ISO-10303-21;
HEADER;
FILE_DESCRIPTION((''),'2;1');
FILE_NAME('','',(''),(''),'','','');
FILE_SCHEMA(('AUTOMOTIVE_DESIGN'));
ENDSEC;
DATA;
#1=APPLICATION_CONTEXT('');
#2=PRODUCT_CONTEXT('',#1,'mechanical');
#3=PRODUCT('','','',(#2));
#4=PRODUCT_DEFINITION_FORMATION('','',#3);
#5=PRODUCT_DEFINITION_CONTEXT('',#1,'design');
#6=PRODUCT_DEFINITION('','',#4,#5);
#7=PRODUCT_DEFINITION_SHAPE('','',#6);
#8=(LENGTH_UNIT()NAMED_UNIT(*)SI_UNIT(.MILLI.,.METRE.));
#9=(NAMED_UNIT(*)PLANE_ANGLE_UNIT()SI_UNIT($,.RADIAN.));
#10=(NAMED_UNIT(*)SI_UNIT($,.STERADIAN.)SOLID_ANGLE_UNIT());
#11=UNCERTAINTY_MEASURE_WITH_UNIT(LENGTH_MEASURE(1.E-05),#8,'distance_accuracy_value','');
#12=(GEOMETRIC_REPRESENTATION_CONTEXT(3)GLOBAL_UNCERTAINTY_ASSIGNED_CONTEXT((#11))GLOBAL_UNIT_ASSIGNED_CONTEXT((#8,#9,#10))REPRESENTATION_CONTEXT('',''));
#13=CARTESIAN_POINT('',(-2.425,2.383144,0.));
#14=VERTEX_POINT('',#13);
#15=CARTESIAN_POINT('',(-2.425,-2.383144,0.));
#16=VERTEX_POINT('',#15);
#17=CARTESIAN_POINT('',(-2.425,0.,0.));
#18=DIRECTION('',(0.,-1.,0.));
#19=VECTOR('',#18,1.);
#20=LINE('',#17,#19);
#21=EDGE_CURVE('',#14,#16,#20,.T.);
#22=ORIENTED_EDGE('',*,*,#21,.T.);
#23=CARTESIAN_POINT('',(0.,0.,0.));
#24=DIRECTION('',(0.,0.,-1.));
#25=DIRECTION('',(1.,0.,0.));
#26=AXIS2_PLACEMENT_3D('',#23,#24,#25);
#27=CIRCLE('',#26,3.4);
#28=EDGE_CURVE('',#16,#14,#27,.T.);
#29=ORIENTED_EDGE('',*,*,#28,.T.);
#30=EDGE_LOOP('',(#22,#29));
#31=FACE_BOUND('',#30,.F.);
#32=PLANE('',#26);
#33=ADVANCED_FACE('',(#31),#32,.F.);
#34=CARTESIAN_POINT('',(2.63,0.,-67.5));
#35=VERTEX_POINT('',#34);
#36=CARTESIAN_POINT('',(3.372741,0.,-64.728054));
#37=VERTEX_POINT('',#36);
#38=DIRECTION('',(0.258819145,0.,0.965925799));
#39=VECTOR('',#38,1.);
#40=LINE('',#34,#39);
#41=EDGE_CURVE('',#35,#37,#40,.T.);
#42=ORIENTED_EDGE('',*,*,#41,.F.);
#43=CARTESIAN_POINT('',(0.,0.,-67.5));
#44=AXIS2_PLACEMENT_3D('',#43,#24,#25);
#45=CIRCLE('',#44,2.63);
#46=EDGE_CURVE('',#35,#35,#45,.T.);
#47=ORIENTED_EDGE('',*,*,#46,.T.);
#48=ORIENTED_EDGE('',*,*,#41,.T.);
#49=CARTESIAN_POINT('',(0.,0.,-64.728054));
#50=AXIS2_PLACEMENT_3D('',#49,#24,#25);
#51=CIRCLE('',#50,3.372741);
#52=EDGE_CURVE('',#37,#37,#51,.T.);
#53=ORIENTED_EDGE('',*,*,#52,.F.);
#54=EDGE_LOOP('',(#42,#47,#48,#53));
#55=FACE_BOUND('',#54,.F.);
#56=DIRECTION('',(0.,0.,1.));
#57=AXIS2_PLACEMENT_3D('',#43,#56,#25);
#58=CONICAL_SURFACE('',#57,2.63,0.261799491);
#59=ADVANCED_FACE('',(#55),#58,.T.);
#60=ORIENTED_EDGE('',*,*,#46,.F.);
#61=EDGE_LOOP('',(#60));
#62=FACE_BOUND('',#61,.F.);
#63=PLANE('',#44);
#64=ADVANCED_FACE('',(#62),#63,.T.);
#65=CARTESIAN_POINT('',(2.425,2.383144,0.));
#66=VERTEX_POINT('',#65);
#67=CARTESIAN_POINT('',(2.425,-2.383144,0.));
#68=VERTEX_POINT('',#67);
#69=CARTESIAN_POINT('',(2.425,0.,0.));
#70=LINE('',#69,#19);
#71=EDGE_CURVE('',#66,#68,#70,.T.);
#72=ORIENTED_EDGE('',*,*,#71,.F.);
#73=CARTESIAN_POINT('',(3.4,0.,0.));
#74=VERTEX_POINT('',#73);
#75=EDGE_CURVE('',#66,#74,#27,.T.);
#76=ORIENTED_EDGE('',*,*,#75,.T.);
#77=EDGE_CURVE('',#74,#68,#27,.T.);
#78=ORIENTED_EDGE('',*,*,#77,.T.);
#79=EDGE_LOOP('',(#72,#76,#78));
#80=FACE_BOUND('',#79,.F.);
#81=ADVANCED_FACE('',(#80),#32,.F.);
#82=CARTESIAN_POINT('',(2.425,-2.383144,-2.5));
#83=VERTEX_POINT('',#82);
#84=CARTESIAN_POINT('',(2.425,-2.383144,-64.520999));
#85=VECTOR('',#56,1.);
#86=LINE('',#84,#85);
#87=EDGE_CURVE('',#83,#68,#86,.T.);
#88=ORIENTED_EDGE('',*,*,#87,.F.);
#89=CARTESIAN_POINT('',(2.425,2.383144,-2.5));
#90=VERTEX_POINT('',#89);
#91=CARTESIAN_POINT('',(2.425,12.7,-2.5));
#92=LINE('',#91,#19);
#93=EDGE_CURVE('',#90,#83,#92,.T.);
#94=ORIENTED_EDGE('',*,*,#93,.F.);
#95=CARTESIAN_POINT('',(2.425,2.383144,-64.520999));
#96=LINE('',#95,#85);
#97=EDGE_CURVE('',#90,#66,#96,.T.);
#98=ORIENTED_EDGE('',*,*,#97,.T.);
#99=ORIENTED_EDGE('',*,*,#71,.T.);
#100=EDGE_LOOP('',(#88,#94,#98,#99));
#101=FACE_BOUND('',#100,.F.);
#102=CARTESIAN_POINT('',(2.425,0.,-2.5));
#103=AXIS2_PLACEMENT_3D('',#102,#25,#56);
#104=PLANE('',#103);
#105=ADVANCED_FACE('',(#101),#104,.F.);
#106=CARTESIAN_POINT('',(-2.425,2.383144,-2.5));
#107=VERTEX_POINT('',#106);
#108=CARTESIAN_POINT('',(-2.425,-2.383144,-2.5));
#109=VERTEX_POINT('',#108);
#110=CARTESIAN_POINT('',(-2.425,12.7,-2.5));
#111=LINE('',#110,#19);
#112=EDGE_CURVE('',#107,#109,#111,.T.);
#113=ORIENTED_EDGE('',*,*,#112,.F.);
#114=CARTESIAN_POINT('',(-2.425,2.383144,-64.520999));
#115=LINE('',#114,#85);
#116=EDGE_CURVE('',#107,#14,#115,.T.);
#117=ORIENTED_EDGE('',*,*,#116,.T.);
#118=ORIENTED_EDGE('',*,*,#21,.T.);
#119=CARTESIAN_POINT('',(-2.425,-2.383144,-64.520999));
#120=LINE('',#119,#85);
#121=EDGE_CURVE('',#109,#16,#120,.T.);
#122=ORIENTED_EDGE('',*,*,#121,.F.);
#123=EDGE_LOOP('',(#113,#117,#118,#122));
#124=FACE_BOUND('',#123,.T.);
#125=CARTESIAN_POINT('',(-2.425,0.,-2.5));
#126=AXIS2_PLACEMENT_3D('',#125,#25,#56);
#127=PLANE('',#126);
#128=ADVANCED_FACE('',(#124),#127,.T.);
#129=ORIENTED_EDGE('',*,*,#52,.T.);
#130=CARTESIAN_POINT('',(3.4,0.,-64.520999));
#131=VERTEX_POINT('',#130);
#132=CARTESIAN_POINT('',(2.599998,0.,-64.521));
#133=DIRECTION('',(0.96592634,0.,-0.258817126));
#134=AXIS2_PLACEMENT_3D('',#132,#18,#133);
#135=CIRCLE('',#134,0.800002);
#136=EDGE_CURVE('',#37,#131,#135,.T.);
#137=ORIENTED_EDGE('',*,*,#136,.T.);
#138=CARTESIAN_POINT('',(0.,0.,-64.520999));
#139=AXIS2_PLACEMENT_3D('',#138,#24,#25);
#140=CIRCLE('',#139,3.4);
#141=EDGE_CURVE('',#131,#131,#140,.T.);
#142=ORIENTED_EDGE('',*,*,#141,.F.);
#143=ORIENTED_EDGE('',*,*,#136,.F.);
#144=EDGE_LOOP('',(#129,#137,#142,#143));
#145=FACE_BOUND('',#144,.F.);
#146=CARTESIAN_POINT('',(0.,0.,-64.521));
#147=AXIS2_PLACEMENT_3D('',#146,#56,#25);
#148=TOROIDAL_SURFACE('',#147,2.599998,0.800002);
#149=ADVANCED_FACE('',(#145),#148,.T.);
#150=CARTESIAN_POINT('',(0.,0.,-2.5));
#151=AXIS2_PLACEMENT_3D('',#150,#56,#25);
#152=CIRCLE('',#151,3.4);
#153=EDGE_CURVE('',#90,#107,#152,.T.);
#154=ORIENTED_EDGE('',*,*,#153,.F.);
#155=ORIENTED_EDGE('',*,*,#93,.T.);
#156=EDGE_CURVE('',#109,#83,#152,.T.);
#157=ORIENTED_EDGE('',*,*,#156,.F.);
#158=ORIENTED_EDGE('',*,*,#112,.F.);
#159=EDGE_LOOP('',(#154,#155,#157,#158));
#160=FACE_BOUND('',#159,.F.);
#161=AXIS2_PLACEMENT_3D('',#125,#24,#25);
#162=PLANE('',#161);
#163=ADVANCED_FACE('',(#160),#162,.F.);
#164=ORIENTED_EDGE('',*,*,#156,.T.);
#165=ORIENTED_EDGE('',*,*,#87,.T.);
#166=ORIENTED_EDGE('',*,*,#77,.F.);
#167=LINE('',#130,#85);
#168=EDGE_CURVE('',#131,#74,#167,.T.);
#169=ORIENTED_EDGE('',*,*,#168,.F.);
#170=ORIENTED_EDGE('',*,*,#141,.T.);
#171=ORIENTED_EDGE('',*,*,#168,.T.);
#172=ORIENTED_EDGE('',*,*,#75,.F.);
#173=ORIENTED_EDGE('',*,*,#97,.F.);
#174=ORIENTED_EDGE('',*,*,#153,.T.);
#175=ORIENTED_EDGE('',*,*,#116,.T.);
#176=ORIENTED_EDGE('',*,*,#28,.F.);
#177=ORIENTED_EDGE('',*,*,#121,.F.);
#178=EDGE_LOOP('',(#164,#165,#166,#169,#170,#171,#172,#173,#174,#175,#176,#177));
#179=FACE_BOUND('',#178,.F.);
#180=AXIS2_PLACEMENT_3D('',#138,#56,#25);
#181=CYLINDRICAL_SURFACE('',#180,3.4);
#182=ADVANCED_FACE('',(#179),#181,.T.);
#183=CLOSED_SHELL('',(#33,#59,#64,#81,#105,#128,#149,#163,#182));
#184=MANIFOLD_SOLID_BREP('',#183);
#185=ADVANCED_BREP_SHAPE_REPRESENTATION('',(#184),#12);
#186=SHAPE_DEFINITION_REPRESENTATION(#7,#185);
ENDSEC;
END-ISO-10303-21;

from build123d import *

# Parameters (mm, degrees)
F2_W     = 4.85
F2_H     = 5
F3_DEPTH = 12.7


with BuildPart() as f1:
    # F0 (on Front) → F1 (revolve)
    with BuildSketch(Plane.XZ):
        with BuildLine():
            Line((3.4, 0), (0, 0))
            Line((0, 0), (0, -67.5))
            Line((0, -67.5), (2.63, -67.5))
            Line((2.63, -67.5), (3.372741, -64.728054))
            ThreePointArc((3.372741, -64.728054), (3.393156, -64.62542), (3.4, -64.520999))
            Line((3.4, -64.520999), (3.4, 0))
        make_face()
    revolve(axis=Axis((0, 0, -33.75), (0, 0, -1)))

    # F2 (on Front) → F3 (cut, symmetric)
    with BuildSketch(Plane.XZ):
        Rectangle(F2_W, F2_H)
    extrude(amount=F3_DEPTH, both=True, mode=Mode.SUBTRACT)


solid = f1.part
